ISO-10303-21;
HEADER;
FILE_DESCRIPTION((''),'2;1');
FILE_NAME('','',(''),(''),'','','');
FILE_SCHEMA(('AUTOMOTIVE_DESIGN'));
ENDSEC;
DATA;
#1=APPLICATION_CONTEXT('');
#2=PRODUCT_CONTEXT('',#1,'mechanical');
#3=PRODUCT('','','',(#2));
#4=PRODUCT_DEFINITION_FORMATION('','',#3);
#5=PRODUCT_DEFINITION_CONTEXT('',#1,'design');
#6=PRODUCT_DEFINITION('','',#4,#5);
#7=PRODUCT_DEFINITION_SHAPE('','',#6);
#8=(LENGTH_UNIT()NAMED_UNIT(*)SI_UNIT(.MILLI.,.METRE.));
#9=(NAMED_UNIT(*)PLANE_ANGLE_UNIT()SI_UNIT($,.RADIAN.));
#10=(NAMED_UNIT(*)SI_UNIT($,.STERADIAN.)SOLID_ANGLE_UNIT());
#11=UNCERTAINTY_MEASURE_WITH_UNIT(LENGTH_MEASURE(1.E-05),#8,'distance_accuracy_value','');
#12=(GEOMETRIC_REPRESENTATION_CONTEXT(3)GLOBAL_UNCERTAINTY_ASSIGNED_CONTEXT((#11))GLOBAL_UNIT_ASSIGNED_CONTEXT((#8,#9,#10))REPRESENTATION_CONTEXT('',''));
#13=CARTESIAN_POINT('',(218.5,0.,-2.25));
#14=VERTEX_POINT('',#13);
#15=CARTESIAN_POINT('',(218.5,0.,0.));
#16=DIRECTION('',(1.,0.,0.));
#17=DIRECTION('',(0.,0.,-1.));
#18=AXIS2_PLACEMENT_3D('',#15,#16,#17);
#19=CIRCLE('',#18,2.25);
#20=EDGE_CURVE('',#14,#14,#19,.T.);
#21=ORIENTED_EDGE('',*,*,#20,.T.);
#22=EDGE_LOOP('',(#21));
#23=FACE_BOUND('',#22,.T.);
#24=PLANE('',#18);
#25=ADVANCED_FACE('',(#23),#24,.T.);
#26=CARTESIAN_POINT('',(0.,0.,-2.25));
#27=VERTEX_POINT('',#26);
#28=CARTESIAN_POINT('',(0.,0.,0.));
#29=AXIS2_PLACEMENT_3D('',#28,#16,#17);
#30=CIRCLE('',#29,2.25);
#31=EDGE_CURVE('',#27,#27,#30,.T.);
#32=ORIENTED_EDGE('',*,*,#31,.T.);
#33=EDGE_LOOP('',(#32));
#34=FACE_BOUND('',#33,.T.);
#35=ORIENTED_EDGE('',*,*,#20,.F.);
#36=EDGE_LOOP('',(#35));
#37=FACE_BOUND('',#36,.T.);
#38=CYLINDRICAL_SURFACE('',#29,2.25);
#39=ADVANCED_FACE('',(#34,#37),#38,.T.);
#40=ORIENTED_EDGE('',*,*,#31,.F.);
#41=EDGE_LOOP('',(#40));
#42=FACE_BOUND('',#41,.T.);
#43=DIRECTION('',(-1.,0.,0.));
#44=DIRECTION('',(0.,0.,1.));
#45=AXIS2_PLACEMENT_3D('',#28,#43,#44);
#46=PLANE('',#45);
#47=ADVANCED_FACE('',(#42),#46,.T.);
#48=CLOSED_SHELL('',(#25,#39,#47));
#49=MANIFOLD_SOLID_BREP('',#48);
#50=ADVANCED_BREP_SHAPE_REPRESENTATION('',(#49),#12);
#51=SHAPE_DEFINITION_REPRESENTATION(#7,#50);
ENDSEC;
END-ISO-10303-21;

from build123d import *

# Parameters (mm, degrees)
SKETCH1_W = 218.5
SKETCH1_H = 2.25


with BuildPart() as part:
    # Sketch1 → Revolve1 (revolve)
    with BuildSketch(Plane.XY, mode=Mode.PRIVATE) as revolve1_sk:
        with Locations((109.25, 1.125)):
            Rectangle(SKETCH1_W, SKETCH1_H)
    revolve(revolve1_sk.sketch.rotate(Axis((0, 0, 0), (-1, 0, 0)), 90), axis=Axis((0, 0, 0), (-1, 0, 0)))


solid = part.part
